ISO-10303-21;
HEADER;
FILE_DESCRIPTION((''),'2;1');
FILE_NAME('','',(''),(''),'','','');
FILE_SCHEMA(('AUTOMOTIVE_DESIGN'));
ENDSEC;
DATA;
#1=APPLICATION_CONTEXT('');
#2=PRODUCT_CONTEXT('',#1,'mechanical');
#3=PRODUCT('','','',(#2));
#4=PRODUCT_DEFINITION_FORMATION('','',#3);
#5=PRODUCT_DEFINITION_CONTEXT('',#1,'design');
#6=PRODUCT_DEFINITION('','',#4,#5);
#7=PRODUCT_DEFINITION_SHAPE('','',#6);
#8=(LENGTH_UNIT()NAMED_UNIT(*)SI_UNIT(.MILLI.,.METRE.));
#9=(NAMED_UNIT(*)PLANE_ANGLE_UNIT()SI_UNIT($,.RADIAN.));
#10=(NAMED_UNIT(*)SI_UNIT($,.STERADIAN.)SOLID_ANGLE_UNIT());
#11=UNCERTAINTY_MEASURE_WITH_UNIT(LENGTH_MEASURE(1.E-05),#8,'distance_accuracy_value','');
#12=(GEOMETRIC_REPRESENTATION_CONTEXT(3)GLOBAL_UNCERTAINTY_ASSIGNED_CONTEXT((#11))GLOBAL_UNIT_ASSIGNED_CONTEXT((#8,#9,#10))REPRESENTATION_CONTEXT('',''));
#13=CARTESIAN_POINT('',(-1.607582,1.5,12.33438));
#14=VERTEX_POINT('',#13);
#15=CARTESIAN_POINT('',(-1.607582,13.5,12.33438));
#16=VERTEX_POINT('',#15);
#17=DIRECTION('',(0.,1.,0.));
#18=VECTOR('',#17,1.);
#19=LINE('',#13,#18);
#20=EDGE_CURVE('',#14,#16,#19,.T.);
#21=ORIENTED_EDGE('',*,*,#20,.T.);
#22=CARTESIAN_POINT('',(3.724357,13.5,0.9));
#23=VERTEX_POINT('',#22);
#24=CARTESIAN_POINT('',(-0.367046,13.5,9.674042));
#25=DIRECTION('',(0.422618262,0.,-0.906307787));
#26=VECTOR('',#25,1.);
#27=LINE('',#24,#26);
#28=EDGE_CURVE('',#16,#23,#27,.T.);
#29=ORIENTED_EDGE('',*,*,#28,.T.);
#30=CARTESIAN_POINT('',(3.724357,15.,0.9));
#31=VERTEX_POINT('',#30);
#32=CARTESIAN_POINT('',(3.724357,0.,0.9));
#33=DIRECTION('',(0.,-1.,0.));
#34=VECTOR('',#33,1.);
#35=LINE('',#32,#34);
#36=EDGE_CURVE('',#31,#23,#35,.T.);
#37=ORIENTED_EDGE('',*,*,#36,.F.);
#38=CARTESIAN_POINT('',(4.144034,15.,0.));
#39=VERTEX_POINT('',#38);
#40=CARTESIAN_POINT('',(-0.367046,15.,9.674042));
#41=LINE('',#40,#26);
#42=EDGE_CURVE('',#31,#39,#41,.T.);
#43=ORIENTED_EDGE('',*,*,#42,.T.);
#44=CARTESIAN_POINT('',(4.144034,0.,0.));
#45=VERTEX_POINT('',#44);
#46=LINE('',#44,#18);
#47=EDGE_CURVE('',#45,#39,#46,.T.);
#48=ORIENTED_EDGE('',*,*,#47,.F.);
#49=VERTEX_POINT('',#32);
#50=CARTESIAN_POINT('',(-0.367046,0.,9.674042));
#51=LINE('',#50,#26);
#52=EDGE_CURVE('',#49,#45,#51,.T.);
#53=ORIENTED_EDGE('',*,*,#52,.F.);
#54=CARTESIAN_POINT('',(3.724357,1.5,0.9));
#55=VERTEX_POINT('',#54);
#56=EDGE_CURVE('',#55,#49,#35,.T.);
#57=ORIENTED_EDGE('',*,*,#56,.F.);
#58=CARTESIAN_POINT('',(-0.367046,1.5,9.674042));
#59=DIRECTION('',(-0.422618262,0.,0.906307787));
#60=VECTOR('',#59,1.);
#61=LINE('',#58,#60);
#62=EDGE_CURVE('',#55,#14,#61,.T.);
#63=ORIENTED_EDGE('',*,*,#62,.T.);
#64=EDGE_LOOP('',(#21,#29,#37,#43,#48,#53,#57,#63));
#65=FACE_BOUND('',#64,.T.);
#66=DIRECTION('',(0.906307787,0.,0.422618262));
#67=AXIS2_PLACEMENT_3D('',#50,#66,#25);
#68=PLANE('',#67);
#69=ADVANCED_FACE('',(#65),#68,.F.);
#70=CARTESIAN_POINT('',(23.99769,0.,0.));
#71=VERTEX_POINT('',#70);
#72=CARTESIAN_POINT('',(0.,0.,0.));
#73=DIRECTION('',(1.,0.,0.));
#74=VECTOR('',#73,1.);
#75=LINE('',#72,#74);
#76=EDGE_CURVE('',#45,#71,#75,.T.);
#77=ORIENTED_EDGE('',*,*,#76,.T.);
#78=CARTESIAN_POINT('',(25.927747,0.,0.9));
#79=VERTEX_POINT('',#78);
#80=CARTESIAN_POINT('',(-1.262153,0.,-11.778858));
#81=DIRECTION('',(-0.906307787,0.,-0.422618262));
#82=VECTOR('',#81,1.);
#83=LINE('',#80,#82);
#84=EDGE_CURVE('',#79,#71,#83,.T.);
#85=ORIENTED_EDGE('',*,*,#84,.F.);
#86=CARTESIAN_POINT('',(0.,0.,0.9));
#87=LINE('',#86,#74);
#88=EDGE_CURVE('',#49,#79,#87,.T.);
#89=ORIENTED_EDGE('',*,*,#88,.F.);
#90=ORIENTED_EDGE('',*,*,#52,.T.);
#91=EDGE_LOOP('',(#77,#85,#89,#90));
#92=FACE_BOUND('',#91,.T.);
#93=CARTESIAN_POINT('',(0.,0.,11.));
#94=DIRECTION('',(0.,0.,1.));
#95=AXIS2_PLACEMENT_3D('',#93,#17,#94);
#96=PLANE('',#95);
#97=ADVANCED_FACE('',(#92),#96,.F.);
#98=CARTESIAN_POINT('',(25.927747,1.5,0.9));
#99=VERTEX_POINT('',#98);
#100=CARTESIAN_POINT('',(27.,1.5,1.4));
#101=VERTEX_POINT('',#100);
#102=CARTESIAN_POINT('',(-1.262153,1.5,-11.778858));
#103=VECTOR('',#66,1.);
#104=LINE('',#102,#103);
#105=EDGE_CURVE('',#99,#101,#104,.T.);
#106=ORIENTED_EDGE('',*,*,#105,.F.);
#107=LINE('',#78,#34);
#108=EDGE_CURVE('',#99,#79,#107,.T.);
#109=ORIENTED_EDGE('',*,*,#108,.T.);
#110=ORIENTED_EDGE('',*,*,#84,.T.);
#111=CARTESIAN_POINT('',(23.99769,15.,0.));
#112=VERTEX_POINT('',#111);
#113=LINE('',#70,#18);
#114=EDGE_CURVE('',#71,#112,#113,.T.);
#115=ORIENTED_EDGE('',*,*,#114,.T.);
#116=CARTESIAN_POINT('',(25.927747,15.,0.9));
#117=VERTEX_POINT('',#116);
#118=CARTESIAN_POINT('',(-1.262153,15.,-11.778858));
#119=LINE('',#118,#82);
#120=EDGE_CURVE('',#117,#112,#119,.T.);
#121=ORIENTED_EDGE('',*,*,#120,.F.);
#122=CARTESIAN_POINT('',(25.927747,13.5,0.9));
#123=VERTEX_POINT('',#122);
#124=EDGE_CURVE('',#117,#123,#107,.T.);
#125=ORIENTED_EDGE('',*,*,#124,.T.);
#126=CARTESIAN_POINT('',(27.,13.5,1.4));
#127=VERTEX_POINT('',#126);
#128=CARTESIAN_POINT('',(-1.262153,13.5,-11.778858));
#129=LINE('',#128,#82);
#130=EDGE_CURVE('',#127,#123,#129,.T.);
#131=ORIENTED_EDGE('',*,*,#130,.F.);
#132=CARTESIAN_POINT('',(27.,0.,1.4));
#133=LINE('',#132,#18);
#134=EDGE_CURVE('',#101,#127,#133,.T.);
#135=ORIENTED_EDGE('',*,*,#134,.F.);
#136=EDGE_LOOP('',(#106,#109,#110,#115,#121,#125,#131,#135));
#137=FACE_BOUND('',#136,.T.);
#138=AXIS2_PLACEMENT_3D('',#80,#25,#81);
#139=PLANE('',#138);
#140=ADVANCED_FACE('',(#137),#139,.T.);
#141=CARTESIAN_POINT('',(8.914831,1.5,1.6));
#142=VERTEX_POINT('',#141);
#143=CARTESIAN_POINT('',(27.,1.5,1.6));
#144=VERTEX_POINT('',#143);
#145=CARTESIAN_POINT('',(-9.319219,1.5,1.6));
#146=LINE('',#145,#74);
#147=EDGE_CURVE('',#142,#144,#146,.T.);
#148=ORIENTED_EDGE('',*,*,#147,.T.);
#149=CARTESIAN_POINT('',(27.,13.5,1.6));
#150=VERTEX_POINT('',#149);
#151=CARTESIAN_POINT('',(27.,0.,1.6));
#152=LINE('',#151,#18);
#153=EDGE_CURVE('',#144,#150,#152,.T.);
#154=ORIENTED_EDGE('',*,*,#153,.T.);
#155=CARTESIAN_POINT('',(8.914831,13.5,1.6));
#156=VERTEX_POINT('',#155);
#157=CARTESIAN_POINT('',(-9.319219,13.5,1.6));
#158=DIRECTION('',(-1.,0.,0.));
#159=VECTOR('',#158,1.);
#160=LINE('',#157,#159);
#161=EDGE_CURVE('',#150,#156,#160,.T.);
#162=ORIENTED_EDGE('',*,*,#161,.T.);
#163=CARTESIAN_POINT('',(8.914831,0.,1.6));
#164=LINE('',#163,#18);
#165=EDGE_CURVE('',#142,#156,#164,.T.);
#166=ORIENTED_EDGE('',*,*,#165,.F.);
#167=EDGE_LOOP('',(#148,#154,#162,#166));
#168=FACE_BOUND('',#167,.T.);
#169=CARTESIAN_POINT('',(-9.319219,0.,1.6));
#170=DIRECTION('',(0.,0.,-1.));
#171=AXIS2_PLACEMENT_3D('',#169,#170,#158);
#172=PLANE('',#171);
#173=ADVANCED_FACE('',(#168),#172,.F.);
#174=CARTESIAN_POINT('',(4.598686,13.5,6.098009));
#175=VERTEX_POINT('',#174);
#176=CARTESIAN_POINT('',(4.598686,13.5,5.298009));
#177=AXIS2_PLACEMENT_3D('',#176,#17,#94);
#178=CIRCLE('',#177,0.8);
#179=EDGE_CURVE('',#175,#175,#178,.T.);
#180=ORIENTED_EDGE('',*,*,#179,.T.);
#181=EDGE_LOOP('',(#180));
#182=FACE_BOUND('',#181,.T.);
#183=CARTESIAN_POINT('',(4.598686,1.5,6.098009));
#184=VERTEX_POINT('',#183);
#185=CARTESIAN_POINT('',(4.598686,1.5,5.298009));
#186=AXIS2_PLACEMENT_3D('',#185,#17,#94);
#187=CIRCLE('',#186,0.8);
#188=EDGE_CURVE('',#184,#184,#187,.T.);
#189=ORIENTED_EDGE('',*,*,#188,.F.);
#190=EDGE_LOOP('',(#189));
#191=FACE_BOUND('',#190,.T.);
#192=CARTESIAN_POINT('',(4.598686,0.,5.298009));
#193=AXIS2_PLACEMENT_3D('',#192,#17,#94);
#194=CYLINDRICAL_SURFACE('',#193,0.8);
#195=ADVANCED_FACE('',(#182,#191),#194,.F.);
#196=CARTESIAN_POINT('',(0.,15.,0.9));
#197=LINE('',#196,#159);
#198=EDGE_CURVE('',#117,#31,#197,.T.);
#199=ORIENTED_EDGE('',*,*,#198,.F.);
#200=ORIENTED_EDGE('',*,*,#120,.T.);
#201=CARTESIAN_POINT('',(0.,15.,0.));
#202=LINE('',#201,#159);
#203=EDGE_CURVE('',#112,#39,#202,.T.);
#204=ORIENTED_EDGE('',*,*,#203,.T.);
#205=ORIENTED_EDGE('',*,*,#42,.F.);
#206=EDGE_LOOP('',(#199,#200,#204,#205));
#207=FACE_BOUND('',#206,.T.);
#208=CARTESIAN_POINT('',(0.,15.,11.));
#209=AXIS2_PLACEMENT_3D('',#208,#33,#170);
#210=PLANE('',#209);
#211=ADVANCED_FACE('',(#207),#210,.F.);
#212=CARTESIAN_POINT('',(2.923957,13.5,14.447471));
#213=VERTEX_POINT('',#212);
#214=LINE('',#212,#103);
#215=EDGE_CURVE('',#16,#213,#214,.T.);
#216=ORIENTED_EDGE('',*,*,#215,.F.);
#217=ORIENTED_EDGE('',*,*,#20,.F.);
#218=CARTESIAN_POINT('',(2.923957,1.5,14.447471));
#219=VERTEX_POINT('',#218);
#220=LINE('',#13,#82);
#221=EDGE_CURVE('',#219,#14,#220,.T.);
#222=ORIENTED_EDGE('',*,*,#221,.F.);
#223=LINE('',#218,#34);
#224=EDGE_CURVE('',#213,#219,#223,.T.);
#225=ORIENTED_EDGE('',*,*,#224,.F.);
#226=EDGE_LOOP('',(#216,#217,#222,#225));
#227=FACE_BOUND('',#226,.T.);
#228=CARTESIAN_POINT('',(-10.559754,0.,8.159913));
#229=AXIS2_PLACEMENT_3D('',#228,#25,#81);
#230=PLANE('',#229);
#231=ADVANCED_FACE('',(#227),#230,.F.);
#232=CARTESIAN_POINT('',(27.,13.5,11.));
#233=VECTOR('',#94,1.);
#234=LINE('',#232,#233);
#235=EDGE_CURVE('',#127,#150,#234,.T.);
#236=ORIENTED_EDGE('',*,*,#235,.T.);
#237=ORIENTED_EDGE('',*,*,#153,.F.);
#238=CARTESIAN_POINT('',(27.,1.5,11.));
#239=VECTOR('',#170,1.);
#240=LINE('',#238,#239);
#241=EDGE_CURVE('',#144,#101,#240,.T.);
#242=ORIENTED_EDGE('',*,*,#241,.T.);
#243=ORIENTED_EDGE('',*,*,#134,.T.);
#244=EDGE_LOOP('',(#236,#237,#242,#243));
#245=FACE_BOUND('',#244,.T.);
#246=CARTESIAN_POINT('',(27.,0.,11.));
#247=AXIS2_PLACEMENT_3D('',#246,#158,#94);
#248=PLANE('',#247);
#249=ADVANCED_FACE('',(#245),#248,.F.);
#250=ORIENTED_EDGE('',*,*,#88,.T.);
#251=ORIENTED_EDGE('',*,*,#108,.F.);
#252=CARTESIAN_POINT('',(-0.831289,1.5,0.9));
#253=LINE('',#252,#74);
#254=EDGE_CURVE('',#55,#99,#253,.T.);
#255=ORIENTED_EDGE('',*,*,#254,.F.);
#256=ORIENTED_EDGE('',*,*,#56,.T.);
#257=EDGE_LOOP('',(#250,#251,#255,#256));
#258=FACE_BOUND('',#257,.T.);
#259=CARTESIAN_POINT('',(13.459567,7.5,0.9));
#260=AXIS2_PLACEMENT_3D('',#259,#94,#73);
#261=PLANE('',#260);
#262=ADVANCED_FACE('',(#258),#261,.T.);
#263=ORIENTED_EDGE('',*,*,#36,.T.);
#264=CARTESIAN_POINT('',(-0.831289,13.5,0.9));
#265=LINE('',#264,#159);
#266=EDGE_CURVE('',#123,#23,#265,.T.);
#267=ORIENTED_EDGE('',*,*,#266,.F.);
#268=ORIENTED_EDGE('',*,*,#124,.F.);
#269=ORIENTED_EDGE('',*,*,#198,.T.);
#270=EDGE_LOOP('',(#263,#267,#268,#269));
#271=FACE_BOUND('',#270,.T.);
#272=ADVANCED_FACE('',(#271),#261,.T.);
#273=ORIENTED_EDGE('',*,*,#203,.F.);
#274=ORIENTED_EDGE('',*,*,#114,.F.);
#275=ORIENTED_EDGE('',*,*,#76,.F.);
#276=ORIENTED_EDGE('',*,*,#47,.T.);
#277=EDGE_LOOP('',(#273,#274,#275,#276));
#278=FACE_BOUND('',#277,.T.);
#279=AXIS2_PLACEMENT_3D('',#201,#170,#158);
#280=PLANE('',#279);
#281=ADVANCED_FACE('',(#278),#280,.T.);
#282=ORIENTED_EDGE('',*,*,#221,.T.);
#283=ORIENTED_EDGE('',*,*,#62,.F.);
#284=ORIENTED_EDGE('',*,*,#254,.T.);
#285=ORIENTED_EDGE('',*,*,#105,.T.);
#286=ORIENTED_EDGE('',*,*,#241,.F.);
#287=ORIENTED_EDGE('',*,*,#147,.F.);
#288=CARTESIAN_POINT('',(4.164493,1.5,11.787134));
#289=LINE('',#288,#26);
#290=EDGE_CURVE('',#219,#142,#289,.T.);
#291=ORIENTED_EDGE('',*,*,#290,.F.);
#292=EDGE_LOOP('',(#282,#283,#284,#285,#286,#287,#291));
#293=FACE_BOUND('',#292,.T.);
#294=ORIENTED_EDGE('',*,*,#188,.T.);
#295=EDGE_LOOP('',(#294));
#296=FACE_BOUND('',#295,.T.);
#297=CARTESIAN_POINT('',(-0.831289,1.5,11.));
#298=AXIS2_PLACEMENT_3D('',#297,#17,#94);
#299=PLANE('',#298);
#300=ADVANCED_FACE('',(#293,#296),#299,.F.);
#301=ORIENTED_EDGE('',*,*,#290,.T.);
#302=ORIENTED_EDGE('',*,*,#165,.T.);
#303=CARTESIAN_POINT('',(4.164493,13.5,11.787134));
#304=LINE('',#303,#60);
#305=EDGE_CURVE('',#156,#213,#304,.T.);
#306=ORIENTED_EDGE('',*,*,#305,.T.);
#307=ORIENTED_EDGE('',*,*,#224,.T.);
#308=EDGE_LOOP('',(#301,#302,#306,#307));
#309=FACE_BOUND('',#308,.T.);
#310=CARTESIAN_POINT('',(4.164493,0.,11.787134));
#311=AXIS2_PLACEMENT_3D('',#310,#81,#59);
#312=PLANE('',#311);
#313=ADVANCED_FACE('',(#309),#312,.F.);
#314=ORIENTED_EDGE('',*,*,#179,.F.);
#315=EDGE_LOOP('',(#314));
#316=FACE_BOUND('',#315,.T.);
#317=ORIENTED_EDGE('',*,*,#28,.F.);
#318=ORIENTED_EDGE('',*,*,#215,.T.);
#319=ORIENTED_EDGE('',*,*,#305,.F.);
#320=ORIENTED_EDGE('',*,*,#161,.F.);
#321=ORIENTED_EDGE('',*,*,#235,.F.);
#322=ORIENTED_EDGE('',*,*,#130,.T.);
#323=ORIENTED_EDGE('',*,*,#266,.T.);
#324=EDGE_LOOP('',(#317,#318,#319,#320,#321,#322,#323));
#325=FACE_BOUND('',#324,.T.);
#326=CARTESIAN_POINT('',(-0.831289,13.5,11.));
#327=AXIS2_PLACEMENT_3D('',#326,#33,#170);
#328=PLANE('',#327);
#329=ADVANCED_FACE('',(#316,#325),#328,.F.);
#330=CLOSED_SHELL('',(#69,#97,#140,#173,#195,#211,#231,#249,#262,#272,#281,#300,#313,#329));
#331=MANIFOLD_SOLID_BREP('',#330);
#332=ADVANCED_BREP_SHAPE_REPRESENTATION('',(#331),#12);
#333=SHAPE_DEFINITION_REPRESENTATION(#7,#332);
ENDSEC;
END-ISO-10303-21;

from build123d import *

# Parameters (mm, degrees)
SKETCH_1_W               = 27
SKETCH_1_H               = 15
EXTRUDE_1_DEPTH          = 11
CUT_EXTRUDE_6_DEPTH      = 16
SKETCH_2_OUTSIDE_W       = 35.558
SKETCH_2_OUTSIDE_H       = 23.558
SKETCH_2_OUTSIDE_W_2     = 28.581712044
SKETCH_2_OUTSIDE_H_2     = 12
CUT_EXTRUDE_1_DEPTH      = 10.4
CUT_EXTRUDE_1_DEPTH_BACK = 0.7
SKETCH_6_W               = 5
SKETCH_6_H               = 12
EXTRUDE_2_DEPTH          = 3.803863
SKETCH_7_R               = 0.8
CUT_EXTRUDE_7_DEPTH      = 14.5


with BuildPart() as part:
    # Эскиз1 → Бобышка-Вытянуть1 (new body)
    with BuildSketch(Plane.XY):
        with Locations((13.5, 7.5)):
            Rectangle(SKETCH_1_W, SKETCH_1_H)
    extrude(amount=EXTRUDE_1_DEPTH)

    # Эскиз5 → Вырез-Вытянуть6 (cut, through all)
    with BuildSketch(Plane(origin=(0, 15, 0), x_dir=(1, 0, 0), z_dir=(0, 1, 0))):
        Polygon((0, 0), (0, -8.886908691), (4.14403358, 0), align=None)
        Polygon((27, -11), (27, -1.6), (8.914830922, -1.6), (4.531538935, -11), align=None)
        Polygon((0, -11), (4.531538935, -11), (0, -8.886908691), align=None)
        Polygon((23.997690311, 0), (27, -1.4), (27, 0), align=None)
    extrude(amount=-CUT_EXTRUDE_6_DEPTH, mode=Mode.SUBTRACT)

    # Эскиз2 outside → Вырез-Вытянуть1 (cut, two sides)
    with BuildSketch(Plane.XY.offset(1.6)) as cut_extrude_1_sk:
        with Locations((13.5, 7.5)):
            Rectangle(SKETCH_2_OUTSIDE_W, SKETCH_2_OUTSIDE_H)
        with Locations((13.459567245, 7.5)):
            Rectangle(SKETCH_2_OUTSIDE_W_2, SKETCH_2_OUTSIDE_H_2, mode=Mode.SUBTRACT)
    extrude(amount=CUT_EXTRUDE_1_DEPTH, mode=Mode.SUBTRACT)
    extrude(cut_extrude_1_sk.sketch, amount=-CUT_EXTRUDE_1_DEPTH_BACK, mode=Mode.SUBTRACT)

    # Эскиз6 → Бобышка-Вытянуть2 (add)
    with BuildSketch(Plane(origin=(-3.40388351, 0, 7.299651743), x_dir=(0.906307787, 0, 0.422618262), z_dir=(-0.422618262, 0, 0.906307787))):
        with Locations((6.255769903, 7.5)):
            Rectangle(SKETCH_6_W, SKETCH_6_H)
    extrude(amount=EXTRUDE_2_DEPTH)

    # Эскиз7 → Вырез-Вытянуть7 (cut, through all)
    with BuildSketch(Plane(origin=(0, 13.5, 0), x_dir=(1, 0, 0), z_dir=(0, 1, 0))):
        with Locations((4.598685766, -5.298008566)):
            Circle(SKETCH_7_R)
    extrude(amount=-CUT_EXTRUDE_7_DEPTH, mode=Mode.SUBTRACT)


solid = part.part
